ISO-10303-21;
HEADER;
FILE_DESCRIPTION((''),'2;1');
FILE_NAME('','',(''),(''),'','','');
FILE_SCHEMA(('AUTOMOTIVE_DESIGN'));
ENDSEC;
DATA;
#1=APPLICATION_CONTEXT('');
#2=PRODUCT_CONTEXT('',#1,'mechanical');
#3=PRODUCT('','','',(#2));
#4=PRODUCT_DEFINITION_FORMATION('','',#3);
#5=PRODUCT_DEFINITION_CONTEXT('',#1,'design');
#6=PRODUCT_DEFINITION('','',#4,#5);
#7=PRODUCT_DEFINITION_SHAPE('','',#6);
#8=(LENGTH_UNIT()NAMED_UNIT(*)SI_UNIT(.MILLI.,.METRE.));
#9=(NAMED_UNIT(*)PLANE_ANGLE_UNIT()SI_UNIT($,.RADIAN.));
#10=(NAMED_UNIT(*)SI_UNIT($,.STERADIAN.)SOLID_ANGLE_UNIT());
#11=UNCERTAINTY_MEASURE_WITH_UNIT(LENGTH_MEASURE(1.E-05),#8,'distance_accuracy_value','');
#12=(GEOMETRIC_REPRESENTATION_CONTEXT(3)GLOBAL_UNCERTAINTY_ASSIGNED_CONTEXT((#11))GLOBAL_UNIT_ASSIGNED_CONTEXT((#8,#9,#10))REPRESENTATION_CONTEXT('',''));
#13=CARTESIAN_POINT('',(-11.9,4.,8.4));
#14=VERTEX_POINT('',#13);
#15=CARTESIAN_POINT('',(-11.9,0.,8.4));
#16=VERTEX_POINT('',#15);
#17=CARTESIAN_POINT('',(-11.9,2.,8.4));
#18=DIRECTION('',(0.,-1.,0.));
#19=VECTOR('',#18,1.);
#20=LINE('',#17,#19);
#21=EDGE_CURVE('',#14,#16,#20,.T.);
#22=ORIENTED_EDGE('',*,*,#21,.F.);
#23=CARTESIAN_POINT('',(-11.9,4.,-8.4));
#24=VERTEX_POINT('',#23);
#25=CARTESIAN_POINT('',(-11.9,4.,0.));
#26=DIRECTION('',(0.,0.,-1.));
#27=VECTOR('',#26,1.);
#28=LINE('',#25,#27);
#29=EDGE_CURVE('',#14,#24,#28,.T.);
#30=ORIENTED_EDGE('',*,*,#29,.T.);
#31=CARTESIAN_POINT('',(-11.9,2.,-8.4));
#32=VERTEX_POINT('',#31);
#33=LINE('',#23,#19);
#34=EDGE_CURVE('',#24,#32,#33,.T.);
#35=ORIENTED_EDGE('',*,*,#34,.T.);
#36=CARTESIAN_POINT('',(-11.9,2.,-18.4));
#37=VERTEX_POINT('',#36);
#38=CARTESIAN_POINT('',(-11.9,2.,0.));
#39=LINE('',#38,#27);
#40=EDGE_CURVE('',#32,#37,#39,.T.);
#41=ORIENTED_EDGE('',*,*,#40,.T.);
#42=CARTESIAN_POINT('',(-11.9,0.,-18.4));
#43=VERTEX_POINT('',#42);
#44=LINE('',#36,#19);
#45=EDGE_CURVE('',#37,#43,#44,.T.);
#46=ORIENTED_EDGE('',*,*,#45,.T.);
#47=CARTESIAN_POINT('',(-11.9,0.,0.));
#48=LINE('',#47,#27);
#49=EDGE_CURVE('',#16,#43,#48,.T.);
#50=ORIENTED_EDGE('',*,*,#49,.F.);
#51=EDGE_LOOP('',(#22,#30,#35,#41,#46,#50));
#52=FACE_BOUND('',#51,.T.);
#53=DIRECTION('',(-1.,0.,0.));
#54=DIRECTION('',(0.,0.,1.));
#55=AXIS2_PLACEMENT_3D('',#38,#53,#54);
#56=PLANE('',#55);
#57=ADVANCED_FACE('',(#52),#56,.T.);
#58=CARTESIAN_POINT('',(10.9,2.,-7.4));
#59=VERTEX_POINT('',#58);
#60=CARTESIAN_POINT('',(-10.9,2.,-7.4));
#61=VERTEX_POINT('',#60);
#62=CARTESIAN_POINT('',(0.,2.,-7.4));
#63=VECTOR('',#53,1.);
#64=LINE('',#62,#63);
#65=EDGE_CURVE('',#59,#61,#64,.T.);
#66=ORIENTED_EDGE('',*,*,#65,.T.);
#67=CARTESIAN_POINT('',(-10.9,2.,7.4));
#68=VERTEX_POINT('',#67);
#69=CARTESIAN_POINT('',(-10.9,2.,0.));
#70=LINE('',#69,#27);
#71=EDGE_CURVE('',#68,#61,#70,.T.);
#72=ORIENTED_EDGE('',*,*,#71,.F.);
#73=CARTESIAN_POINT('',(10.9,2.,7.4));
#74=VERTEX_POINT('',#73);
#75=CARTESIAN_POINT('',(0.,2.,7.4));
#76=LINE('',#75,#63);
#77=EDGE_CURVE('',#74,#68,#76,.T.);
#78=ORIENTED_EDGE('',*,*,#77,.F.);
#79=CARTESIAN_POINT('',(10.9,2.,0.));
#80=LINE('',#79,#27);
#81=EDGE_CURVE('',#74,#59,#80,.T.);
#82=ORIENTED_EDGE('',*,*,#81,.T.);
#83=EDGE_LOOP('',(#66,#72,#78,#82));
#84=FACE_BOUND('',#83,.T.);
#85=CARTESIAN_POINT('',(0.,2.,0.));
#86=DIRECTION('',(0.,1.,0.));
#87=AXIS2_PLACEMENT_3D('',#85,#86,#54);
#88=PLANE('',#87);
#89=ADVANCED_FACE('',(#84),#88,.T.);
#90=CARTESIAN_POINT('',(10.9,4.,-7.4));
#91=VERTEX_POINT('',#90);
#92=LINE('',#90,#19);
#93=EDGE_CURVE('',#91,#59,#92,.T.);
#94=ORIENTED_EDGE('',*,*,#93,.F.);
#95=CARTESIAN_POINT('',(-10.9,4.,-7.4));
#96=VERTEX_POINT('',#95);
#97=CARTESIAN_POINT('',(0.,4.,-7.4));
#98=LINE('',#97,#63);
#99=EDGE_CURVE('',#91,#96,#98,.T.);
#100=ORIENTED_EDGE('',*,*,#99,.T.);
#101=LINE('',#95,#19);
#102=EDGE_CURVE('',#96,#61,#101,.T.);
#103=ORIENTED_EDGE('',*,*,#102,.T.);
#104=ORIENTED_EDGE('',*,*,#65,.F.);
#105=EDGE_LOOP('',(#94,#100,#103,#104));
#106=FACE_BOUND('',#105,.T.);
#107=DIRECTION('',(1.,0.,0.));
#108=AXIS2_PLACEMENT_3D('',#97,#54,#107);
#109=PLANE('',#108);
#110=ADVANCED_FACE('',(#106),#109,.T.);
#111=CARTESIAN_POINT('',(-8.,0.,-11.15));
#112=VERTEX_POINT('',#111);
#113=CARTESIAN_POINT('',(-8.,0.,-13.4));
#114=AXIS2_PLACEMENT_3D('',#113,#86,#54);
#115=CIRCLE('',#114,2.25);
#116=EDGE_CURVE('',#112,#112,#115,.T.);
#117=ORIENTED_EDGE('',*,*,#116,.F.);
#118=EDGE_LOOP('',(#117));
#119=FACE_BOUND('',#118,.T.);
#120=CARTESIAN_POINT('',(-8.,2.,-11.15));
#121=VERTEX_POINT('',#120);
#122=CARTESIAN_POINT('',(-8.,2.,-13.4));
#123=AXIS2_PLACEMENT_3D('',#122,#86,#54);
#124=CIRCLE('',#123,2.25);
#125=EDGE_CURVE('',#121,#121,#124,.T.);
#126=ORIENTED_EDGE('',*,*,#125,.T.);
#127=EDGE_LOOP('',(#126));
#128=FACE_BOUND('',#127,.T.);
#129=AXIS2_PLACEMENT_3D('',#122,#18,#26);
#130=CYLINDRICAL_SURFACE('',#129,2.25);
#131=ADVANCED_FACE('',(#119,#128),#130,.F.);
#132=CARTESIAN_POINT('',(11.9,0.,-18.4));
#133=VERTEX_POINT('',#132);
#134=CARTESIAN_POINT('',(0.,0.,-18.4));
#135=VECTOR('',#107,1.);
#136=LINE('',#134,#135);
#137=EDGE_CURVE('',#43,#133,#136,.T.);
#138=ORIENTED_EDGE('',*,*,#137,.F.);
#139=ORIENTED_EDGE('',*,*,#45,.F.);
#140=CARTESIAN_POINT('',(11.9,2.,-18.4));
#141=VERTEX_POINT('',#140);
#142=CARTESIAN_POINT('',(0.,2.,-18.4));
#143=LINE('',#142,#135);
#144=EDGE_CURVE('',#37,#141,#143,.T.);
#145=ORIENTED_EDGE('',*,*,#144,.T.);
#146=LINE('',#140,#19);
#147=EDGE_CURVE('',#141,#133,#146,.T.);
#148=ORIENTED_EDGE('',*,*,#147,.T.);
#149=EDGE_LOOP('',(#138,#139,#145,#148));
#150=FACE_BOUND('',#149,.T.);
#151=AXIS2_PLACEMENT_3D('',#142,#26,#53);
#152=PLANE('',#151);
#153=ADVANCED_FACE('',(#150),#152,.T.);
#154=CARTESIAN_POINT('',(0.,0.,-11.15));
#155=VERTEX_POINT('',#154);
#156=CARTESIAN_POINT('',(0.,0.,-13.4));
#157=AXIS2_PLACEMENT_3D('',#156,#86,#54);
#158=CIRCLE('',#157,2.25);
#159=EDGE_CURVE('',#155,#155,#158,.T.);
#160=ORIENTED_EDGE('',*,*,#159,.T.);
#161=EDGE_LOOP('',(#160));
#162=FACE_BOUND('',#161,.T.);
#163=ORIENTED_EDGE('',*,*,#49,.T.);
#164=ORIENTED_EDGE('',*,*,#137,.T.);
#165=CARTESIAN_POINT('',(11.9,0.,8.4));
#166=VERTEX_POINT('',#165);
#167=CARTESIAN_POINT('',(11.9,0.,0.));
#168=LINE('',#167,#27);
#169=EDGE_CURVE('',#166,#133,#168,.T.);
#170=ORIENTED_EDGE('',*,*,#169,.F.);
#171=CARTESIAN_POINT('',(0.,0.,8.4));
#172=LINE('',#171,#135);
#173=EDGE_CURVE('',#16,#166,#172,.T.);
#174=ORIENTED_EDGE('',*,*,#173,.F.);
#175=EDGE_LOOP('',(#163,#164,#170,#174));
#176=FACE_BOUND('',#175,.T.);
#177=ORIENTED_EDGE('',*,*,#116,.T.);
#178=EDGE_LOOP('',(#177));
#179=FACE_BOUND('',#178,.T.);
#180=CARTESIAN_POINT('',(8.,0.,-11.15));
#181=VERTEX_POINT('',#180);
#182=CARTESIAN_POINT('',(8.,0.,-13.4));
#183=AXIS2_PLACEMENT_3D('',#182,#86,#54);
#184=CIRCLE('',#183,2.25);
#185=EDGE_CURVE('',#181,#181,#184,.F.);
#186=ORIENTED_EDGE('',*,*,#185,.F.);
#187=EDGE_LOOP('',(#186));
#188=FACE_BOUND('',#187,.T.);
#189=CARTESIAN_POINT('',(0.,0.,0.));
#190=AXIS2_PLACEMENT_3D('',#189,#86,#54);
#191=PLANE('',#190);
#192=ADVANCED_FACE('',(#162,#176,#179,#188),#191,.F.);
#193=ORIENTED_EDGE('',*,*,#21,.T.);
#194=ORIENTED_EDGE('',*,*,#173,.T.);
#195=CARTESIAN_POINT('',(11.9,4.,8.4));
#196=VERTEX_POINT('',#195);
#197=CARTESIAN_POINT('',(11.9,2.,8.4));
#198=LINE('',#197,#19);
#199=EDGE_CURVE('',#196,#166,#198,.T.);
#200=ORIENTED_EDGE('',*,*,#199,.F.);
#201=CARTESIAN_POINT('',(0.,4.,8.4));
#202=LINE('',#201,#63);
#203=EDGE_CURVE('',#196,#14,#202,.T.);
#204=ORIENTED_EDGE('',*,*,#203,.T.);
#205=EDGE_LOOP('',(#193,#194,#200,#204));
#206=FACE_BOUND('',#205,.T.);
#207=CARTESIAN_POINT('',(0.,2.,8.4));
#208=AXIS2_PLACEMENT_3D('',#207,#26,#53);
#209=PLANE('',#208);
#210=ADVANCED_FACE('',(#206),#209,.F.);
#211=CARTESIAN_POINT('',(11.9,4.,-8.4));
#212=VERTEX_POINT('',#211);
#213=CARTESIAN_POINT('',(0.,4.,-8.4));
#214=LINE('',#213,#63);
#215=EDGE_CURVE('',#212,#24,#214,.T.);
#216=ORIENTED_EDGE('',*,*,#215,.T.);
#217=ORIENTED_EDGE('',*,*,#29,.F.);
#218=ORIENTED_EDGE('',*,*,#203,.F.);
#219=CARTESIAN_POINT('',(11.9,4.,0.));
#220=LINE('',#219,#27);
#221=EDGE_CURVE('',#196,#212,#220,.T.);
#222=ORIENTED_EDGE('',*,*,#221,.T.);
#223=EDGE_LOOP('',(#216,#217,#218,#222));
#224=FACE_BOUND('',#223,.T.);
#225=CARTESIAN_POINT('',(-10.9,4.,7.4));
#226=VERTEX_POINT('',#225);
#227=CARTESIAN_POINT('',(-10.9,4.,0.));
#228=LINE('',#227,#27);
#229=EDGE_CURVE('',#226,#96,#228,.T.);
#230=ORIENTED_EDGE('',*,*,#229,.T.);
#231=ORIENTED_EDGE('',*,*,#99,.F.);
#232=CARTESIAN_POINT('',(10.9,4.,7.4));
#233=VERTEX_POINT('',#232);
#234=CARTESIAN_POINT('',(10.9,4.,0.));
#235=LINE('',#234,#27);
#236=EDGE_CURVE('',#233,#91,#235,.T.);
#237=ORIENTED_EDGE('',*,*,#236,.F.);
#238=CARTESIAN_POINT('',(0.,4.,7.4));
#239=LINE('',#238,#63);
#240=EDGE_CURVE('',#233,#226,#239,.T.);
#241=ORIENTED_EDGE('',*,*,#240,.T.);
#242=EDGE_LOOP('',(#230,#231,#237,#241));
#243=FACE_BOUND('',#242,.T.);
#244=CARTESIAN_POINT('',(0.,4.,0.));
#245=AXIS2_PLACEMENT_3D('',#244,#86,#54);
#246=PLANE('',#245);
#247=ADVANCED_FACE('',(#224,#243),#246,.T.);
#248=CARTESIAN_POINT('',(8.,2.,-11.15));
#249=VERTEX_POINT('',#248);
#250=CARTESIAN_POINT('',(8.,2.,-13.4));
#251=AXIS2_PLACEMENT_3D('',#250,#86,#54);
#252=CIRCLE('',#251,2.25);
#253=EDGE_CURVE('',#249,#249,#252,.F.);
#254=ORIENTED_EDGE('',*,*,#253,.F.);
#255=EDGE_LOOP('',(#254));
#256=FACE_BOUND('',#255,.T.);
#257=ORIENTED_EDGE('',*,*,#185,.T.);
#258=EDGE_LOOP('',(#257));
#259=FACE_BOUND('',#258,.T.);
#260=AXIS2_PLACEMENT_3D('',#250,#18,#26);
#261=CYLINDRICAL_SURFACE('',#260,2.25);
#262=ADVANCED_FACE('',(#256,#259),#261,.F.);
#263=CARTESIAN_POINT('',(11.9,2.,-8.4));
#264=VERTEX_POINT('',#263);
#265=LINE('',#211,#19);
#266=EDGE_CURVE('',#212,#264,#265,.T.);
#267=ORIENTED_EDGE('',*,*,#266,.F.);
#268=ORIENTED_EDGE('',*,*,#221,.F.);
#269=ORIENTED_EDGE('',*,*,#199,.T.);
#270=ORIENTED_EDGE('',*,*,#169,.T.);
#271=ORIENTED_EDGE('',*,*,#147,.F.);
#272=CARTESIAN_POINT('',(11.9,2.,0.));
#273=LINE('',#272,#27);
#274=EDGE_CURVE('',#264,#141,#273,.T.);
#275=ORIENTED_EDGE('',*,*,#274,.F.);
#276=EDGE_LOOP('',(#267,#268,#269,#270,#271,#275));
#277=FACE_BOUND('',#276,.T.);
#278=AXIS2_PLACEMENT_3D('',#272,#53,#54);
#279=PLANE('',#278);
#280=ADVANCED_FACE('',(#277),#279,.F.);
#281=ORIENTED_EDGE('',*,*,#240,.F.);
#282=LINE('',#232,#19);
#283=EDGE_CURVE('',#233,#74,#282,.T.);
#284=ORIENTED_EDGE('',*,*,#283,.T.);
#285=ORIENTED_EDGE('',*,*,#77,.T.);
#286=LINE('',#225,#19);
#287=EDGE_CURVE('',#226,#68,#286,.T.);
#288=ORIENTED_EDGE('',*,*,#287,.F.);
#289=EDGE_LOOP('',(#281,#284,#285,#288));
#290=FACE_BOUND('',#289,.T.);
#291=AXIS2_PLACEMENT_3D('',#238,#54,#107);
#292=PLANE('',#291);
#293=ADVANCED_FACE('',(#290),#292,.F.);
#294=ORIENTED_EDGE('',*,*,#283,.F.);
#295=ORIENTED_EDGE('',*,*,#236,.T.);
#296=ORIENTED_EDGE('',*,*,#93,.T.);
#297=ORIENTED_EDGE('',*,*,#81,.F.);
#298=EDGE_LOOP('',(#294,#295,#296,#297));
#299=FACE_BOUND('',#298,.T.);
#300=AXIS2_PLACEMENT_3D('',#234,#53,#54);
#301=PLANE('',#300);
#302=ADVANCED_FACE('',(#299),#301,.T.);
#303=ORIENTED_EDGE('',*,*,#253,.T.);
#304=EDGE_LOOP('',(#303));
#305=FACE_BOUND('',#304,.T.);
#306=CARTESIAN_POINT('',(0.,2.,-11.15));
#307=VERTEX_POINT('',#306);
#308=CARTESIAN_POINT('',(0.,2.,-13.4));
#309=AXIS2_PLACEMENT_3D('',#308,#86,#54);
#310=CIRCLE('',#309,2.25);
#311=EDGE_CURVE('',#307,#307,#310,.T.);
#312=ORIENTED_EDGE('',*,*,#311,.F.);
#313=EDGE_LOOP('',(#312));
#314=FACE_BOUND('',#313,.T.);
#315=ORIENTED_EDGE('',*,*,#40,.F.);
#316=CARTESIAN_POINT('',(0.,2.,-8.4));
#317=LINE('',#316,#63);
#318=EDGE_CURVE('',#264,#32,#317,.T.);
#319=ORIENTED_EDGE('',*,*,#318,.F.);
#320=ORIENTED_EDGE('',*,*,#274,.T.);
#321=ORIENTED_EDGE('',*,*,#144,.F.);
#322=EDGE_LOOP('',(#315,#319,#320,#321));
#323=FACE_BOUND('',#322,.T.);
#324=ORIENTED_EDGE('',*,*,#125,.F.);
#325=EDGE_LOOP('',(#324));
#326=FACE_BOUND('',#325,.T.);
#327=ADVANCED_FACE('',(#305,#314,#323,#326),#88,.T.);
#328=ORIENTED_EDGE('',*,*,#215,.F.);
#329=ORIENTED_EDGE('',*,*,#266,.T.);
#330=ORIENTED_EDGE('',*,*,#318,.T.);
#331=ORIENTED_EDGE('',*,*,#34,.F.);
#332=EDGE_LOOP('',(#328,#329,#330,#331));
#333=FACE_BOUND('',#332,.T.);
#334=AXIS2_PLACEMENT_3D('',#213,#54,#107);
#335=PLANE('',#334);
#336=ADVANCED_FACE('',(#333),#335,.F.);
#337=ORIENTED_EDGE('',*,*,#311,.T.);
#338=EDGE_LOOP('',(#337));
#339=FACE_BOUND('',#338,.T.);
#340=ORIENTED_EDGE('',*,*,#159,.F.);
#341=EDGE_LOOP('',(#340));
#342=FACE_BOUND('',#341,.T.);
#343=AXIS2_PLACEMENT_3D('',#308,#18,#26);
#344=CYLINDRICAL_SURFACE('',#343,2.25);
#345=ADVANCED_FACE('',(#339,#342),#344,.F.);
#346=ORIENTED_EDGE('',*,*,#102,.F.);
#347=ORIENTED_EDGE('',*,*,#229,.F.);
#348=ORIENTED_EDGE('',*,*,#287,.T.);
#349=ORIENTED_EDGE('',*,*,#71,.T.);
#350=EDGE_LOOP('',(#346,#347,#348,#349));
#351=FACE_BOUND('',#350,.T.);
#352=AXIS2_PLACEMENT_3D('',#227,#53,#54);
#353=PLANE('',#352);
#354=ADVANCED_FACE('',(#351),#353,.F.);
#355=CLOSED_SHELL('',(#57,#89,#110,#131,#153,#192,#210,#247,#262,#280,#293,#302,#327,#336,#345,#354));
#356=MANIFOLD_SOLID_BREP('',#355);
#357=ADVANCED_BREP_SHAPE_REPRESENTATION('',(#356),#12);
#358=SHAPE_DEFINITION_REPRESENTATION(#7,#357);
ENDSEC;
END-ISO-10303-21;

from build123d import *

# Parameters (mm, degrees)
SKETCH_1_W      = 23.8
SKETCH_1_H      = 10
SKETCH_1_R      = 2.25
SKETCH_1_H_2    = 16.8
SKETCH_1_W_2    = 21.8
SKETCH_1_H_3    = 14.8
EXTRUDE_1_DEPTH = 2
EXTRUDE_START   = 2
SKETCH_1_3_W    = 23.8
SKETCH_1_3_H    = 16.8
SKETCH_1_3_W_2  = 21.8
SKETCH_1_3_H_2  = 14.8
EXTRUDE_2_DEPTH = 2


with BuildPart() as part:
    # 草图1 → 凸台-拉伸1 (new body)
    # profile 1 of 3: a face of its own
    with BuildSketch(Plane(origin=(0, 0, 0), x_dir=(1, 0, 0), z_dir=(0, 1, 0))):
        with Locations((0, 13.4)):
            Rectangle(SKETCH_1_W, SKETCH_1_H)
        with Locations(Location((0, 13.4, 0), (0, 0, 270))):
            Circle(SKETCH_1_R, mode=Mode.SUBTRACT)
        with Locations(Location((-8, 13.4, 0), (0, 0, 270))):
            Circle(SKETCH_1_R, mode=Mode.SUBTRACT)
        with Locations(Location((8, 13.4, 0), (0, 0, 270))):
            Circle(SKETCH_1_R, mode=Mode.SUBTRACT)
    # profile 2 of 3: a face of its own
    with BuildSketch(Plane(origin=(0, 0, 0), x_dir=(1, 0, 0), z_dir=(0, 1, 0))):
        Rectangle(SKETCH_1_W, SKETCH_1_H_2)
        Rectangle(SKETCH_1_W_2, SKETCH_1_H_3, mode=Mode.SUBTRACT)
    # profile 3 of 3: a face of its own
    with BuildSketch(Plane(origin=(0, 0, 0), x_dir=(1, 0, 0), z_dir=(0, 1, 0))):
        Rectangle(SKETCH_1_W_2, SKETCH_1_H_3)
    extrude(amount=EXTRUDE_1_DEPTH)

    # 草图1<3> → 凸台-拉伸2 (add)
    with BuildSketch(Plane(origin=(0, 0, 0), x_dir=(1, 0, 0), z_dir=(0, 1, 0)).offset(EXTRUDE_START)):
        Rectangle(SKETCH_1_3_W, SKETCH_1_3_H)
        Rectangle(SKETCH_1_3_W_2, SKETCH_1_3_H_2, mode=Mode.SUBTRACT)
    extrude(amount=EXTRUDE_2_DEPTH)


solid = part.part
